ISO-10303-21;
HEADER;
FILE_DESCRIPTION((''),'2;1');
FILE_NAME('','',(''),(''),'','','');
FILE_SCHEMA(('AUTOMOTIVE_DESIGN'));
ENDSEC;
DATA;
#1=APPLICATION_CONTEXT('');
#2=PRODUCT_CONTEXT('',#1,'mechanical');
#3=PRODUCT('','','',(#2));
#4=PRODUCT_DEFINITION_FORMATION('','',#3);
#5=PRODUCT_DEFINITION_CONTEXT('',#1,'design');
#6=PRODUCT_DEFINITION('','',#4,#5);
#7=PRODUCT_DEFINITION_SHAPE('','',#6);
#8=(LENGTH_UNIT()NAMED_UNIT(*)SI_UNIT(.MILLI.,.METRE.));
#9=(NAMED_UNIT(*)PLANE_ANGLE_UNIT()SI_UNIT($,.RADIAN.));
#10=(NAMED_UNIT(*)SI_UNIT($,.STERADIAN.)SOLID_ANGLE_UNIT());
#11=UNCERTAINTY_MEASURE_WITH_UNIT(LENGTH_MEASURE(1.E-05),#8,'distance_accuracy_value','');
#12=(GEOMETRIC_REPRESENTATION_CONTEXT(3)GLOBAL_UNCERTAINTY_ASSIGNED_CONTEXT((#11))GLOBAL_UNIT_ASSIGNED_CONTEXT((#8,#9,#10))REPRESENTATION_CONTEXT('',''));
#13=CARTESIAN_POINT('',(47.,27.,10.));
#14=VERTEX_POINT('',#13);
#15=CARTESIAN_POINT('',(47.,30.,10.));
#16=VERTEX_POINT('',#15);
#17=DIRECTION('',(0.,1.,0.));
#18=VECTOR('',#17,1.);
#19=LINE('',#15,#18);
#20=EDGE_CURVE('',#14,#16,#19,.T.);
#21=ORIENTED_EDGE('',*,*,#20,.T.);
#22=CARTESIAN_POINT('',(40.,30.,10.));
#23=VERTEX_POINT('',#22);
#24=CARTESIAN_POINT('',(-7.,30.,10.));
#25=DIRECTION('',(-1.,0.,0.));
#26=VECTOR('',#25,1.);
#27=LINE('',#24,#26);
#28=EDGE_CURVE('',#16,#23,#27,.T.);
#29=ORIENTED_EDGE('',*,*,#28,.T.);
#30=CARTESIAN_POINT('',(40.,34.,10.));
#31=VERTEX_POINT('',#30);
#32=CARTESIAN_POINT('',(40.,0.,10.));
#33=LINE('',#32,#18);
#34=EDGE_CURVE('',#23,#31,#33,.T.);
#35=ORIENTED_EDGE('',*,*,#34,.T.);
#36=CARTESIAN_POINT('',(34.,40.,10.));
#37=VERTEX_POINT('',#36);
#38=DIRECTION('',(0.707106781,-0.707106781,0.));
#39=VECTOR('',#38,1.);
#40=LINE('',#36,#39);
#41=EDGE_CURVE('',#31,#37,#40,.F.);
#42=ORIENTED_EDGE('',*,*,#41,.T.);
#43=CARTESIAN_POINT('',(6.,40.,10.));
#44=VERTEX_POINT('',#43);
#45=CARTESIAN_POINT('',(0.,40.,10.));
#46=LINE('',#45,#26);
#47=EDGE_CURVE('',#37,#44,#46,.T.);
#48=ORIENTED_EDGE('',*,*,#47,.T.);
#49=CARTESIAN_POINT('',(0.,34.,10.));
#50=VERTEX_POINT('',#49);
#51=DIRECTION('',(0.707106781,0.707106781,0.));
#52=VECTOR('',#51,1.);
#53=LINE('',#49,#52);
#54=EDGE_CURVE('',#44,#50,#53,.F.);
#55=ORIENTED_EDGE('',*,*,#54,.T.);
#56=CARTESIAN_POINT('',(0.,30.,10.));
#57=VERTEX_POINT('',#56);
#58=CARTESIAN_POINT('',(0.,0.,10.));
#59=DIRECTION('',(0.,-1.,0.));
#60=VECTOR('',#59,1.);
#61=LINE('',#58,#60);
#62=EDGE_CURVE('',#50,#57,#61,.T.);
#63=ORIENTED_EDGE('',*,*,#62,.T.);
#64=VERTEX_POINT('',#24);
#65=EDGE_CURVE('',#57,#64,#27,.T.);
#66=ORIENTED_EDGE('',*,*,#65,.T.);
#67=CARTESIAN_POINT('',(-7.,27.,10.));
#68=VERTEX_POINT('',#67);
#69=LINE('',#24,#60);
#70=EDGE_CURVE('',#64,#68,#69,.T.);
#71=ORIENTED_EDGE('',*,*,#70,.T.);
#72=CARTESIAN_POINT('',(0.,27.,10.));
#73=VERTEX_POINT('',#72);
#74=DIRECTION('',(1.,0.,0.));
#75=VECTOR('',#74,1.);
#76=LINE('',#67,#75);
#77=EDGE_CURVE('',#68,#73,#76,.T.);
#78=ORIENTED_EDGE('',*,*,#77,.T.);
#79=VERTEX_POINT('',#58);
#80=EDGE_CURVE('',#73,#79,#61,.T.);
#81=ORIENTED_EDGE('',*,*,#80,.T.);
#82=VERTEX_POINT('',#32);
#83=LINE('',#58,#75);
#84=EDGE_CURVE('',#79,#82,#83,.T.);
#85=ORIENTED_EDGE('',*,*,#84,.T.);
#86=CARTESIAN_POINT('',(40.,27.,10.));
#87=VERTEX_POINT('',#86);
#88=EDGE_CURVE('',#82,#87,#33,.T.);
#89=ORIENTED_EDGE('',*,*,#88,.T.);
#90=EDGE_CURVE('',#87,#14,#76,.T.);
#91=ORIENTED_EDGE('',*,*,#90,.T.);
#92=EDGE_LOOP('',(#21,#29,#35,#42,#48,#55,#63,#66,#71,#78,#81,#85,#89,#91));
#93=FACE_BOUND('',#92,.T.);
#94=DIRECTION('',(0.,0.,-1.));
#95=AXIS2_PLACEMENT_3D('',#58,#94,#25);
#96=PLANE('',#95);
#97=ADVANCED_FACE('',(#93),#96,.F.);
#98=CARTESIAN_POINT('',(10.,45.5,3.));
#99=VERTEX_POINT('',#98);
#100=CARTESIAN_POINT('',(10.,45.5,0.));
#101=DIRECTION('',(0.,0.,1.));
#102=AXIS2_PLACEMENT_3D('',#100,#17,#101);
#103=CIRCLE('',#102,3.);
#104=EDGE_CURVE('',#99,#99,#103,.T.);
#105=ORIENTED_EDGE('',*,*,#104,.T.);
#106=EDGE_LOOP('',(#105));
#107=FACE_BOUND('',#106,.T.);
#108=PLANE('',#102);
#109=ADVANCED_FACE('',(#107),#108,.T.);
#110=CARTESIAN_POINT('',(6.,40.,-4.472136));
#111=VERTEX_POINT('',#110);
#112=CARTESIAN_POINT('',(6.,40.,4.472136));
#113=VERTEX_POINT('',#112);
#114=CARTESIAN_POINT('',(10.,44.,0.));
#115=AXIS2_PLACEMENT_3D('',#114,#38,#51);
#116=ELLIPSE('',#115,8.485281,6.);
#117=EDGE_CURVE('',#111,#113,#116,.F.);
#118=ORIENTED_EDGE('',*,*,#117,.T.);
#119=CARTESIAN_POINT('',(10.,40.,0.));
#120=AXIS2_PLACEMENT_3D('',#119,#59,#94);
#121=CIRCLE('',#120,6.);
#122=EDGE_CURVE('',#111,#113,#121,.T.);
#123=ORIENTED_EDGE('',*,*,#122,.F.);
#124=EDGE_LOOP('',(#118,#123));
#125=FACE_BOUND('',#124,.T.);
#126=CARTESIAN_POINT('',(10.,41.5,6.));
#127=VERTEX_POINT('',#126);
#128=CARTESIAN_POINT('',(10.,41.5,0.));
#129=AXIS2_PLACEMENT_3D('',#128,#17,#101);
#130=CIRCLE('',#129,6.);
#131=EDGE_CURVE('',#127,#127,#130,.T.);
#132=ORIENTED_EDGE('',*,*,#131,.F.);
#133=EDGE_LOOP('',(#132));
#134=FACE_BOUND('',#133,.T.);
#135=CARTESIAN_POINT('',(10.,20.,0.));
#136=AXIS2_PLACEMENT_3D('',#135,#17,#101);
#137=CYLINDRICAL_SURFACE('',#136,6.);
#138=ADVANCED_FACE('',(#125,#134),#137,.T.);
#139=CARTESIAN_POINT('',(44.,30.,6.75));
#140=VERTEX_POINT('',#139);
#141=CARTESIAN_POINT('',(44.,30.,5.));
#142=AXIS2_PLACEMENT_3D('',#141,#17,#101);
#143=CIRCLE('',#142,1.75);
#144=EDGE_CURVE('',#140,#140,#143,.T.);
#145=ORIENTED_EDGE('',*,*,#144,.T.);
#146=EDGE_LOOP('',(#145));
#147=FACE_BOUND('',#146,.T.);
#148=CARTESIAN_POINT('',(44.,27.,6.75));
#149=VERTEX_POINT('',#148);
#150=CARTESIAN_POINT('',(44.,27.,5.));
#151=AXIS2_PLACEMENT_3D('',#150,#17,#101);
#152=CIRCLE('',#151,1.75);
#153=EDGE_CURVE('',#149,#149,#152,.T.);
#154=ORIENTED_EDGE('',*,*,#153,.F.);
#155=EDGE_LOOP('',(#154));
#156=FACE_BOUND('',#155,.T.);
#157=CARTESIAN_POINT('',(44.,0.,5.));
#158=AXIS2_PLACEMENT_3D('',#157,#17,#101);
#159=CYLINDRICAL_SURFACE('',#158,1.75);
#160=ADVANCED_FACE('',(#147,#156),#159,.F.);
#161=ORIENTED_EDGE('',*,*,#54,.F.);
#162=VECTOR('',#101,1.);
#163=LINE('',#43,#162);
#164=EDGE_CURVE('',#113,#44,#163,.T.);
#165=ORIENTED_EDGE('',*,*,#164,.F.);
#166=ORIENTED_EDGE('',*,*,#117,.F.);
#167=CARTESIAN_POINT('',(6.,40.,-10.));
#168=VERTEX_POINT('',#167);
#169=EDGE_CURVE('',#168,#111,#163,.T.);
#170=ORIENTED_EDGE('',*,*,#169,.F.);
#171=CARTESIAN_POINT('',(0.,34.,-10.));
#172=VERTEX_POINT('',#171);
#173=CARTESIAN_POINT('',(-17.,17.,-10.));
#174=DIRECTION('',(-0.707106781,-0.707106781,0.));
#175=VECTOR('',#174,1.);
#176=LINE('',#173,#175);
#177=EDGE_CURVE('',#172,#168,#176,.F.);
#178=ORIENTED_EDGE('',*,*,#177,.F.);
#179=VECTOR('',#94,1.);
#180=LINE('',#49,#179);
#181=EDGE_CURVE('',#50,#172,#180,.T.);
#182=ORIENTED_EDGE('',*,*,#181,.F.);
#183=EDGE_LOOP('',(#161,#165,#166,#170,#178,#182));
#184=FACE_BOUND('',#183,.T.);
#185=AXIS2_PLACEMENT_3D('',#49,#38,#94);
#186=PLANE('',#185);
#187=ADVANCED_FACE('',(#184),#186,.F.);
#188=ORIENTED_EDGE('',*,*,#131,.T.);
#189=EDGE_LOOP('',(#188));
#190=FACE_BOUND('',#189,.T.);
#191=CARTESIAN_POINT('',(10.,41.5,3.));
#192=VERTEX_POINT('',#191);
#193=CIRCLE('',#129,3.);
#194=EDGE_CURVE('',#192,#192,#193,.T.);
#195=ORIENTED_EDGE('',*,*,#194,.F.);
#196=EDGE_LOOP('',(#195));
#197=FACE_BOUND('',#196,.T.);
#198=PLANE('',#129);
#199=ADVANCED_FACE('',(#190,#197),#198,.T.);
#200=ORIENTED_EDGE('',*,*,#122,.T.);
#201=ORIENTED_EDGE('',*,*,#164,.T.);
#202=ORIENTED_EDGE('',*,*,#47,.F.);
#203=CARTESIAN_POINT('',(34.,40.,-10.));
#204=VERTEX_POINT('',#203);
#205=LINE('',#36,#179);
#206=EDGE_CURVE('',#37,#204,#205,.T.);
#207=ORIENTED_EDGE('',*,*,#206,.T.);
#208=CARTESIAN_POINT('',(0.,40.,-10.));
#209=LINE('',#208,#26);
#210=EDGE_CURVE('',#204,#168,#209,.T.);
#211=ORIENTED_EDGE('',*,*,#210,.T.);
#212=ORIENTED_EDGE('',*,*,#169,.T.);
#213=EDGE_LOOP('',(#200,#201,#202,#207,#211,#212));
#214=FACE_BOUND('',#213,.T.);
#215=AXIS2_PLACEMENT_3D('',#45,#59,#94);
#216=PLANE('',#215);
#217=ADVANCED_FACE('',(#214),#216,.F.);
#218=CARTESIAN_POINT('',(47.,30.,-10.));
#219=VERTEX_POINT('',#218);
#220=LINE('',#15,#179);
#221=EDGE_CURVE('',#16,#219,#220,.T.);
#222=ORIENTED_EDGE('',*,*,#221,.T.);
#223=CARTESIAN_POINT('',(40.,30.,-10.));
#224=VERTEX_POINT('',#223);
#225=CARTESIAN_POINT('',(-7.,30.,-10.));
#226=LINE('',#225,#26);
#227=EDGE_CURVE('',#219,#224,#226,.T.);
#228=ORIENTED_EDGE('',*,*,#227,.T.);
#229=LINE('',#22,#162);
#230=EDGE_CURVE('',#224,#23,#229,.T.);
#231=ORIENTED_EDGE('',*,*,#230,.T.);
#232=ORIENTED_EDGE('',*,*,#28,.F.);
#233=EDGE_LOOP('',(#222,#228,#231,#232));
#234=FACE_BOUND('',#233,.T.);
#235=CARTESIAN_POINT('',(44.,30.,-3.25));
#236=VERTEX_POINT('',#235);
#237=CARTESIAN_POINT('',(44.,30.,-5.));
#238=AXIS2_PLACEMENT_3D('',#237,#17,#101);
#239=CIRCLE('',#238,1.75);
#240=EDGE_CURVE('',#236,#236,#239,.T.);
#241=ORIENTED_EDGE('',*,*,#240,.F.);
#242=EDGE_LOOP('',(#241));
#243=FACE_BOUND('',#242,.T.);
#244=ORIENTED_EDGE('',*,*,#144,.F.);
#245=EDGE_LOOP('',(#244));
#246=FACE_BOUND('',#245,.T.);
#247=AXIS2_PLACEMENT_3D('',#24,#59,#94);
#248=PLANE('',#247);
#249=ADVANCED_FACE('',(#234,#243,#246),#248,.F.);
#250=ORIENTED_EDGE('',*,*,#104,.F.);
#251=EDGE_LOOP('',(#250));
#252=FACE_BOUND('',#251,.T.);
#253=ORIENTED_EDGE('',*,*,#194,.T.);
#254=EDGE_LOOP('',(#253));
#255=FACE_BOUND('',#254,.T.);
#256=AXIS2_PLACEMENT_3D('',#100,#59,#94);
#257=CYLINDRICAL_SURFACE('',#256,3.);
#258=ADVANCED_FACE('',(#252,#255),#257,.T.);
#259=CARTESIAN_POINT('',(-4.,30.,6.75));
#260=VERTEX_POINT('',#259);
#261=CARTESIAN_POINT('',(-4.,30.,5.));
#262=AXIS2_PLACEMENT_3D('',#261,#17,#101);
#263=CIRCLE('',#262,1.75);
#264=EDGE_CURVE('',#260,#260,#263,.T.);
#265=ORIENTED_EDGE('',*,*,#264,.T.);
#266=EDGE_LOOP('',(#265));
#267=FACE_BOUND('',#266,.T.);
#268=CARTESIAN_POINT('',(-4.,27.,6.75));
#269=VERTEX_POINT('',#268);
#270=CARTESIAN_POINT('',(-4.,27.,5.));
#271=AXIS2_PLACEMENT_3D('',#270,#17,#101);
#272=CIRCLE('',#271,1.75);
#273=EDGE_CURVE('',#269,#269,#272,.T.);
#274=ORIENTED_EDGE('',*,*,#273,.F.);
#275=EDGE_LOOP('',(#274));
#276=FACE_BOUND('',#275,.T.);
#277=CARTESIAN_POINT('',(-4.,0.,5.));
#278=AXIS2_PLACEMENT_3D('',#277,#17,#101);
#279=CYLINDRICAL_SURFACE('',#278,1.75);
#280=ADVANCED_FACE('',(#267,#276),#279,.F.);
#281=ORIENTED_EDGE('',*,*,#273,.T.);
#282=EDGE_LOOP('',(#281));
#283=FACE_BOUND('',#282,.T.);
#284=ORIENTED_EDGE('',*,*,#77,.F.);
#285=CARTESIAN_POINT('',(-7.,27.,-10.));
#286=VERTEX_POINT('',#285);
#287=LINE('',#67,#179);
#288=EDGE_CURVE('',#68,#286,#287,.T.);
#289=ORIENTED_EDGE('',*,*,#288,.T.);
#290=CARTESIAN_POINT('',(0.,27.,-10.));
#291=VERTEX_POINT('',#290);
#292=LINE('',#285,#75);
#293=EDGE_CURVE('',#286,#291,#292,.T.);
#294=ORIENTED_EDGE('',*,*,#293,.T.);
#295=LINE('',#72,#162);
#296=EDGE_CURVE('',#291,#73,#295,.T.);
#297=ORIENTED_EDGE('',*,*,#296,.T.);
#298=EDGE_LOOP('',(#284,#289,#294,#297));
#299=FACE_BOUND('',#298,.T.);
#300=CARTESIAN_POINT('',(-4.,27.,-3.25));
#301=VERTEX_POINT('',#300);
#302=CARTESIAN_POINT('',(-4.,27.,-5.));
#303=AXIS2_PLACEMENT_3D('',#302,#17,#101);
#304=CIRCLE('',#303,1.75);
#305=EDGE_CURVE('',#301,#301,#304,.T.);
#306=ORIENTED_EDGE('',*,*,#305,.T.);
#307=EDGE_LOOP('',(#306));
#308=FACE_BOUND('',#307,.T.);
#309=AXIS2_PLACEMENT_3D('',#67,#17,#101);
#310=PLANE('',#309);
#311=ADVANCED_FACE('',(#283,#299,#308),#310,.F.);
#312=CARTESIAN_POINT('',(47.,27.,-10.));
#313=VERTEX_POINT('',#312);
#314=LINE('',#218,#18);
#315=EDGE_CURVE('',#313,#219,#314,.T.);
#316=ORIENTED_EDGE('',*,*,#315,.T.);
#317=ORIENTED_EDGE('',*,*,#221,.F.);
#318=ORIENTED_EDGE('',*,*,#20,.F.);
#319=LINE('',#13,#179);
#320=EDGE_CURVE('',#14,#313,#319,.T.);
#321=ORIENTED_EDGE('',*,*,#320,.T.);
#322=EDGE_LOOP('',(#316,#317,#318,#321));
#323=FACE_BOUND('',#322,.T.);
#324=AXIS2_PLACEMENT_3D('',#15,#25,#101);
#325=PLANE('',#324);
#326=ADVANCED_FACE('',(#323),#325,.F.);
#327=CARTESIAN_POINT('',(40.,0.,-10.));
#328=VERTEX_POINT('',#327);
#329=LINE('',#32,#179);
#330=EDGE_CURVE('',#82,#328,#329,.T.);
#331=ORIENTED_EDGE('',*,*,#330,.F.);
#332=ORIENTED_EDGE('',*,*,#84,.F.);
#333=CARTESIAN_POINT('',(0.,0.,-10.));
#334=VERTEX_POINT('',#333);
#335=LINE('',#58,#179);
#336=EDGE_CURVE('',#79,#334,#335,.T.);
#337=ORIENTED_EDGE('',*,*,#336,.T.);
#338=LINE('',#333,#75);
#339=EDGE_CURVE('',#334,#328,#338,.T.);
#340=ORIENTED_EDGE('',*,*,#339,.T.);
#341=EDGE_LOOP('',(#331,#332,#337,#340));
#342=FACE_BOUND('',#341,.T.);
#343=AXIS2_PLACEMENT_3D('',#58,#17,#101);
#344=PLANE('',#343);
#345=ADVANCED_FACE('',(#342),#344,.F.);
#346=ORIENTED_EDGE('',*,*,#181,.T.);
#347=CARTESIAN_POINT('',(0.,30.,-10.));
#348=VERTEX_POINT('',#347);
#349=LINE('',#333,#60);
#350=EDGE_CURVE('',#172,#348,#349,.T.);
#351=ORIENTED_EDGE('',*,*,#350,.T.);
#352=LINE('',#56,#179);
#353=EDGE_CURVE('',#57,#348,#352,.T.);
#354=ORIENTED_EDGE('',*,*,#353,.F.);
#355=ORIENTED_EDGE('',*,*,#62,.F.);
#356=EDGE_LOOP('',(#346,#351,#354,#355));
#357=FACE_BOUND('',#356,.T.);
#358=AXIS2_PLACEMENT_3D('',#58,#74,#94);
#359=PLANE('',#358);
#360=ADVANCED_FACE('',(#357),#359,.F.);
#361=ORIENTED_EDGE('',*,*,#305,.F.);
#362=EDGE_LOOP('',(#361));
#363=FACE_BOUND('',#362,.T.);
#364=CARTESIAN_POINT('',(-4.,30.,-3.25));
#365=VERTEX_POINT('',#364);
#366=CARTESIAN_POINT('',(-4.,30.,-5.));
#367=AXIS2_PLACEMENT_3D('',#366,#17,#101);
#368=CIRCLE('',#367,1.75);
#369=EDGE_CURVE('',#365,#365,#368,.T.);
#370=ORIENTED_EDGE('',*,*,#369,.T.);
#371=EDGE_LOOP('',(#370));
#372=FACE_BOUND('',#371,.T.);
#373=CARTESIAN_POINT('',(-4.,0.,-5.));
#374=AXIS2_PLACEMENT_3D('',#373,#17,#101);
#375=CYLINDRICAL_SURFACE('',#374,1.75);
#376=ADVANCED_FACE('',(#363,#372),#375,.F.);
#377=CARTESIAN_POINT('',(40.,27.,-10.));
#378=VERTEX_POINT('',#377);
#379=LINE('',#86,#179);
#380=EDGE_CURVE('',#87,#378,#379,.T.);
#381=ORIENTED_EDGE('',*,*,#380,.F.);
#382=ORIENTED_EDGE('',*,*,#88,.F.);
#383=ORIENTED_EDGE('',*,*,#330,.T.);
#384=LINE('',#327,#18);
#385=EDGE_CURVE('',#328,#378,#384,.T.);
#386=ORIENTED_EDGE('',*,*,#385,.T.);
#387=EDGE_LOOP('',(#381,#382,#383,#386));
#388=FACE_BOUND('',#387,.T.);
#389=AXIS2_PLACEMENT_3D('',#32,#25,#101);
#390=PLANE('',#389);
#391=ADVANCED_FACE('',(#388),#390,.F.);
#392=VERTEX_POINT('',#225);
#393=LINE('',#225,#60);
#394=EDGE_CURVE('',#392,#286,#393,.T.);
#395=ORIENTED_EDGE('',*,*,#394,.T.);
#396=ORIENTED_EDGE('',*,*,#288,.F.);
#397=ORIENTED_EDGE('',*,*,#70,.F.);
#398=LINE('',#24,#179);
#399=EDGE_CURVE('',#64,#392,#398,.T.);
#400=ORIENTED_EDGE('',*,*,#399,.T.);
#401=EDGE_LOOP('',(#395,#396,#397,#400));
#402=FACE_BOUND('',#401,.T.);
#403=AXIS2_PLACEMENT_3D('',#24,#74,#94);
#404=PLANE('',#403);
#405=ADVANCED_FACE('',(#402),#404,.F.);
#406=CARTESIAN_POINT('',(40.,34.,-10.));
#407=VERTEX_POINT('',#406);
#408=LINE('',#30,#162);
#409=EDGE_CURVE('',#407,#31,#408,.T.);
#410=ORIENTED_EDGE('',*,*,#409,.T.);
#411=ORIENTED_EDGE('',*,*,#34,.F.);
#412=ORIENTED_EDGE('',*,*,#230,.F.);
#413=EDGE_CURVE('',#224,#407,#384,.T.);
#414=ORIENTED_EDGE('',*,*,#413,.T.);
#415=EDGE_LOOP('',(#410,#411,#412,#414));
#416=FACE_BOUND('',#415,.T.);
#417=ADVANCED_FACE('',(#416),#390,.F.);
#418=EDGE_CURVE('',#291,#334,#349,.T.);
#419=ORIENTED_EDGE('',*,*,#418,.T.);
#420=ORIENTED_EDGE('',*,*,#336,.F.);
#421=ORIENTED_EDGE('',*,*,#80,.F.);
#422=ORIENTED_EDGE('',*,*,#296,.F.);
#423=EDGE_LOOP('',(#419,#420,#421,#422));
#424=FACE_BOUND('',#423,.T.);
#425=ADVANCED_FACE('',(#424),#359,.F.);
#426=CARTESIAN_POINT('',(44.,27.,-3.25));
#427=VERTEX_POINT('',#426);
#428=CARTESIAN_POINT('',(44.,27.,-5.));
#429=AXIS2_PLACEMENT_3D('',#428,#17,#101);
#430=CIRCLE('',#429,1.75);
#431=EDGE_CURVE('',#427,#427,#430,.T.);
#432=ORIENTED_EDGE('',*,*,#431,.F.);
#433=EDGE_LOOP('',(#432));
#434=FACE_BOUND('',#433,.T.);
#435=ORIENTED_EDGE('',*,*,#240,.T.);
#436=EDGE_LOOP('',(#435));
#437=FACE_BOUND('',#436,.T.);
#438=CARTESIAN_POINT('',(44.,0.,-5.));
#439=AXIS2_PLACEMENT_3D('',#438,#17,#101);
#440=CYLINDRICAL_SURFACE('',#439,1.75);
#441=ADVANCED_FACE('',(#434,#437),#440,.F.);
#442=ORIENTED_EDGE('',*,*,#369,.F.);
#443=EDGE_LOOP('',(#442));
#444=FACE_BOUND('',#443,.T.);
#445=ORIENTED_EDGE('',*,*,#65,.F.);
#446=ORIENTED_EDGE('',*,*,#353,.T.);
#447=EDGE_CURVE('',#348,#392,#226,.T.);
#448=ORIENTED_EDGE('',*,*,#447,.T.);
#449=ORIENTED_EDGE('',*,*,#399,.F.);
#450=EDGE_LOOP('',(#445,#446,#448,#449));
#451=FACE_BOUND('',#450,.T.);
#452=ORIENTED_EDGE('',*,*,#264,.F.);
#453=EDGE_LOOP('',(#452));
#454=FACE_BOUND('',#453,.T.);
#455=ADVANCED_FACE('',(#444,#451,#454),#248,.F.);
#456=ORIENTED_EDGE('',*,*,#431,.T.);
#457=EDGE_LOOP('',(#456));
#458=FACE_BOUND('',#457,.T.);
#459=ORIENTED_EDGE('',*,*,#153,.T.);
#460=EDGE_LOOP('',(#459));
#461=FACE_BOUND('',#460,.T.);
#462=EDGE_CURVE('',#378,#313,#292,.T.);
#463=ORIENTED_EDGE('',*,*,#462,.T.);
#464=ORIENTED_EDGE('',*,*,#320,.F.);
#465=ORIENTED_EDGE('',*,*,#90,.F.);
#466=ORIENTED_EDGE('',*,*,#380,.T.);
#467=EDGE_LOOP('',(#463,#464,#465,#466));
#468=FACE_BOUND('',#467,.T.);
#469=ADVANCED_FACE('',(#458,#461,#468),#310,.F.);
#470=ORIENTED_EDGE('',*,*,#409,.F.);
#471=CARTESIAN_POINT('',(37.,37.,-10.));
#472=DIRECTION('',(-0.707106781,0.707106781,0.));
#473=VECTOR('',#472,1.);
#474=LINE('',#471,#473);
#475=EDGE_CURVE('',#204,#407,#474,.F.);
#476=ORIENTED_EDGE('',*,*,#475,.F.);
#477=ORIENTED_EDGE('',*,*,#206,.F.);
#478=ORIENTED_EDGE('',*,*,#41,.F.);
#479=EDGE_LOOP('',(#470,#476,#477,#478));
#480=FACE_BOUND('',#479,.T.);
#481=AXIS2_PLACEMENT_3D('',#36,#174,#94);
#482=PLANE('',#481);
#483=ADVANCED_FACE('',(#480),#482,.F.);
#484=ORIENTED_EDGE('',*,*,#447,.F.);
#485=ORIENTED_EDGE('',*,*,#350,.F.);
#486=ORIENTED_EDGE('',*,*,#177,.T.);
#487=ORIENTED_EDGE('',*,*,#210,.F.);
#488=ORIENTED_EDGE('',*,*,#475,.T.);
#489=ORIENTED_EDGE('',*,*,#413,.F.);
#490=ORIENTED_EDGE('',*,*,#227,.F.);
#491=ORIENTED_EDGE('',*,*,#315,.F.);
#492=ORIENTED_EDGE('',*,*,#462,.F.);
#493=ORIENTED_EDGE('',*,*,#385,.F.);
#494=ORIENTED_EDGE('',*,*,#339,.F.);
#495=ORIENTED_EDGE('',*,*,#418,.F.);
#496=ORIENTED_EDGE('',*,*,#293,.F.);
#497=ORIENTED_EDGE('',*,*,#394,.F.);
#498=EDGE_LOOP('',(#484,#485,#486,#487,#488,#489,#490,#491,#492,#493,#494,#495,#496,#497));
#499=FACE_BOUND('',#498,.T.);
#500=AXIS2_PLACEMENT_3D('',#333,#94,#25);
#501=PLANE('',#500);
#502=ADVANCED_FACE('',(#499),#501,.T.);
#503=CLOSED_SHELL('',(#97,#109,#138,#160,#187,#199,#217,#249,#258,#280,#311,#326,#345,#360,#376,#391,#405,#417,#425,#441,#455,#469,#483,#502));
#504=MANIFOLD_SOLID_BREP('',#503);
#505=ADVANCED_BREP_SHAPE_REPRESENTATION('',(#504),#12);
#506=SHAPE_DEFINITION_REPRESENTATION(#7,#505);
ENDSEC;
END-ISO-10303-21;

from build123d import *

# Parameters (mm, degrees)
SKETCH_1_W           = 40
SKETCH_1_H           = 40
EXTRUDE_1_DEPTH      = 10
SKETCH_2_W           = 54
SKETCH_2_H           = 3
EXTRUDE_2_DEPTH      = 10
CHAMFER_1_SIZE       = 6
EXTRUDE_3_DEPTH      = 1.5
EXTRUDE_3_DEPTH_BACK = 20
SKETCH_4_R           = 6
SKETCH_5_R           = 3
EXTRUDE_4_DEPTH      = 4
SKETCH_6_R           = 1.75
CUT_EXTRUDE_1_DEPTH  = 57.648036153


with BuildPart() as part:
    # 草图1 → 凸台-拉伸1 (new, symmetric)
    with BuildSketch(Plane.XY):
        with Locations((20, 20)):
            Rectangle(SKETCH_1_W, SKETCH_1_H)
    extrude(amount=EXTRUDE_1_DEPTH, both=True)

    # 草图2 → 凸台-拉伸2 (add, symmetric)
    with BuildSketch(Plane.XY):
        with Locations((20, 28.5)):
            Rectangle(SKETCH_2_W, SKETCH_2_H)
    extrude(amount=EXTRUDE_2_DEPTH, both=True)

    # 倒角1
    chamfer_1_edges = [part.edges().sort_by_distance(p)[0] for p in [
        (0, 40, 0),
        (40, 40, 0),
    ]]
    chamfer(chamfer_1_edges, length=CHAMFER_1_SIZE)

    # 草图4 → 凸台-拉伸3 (add, two sides: drawn at the far end of the back side and taken through both)
    with BuildSketch(Plane(origin=(0, 40, 0), x_dir=(1, 0, 0), z_dir=(0, 1, 0)).offset(-EXTRUDE_3_DEPTH_BACK)):
        with Locations(Location((10, 0, 0), (0, 0, 270))):
            Circle(SKETCH_4_R)
    extrude(amount=EXTRUDE_3_DEPTH + EXTRUDE_3_DEPTH_BACK)

    # 草图5 → 凸台-拉伸4 (add)
    with BuildSketch(Plane(origin=(0, 41.5, 0), x_dir=(1, 0, 0), z_dir=(0, 1, 0))):
        with Locations(Location((10, 0, 0), (0, 0, 270))):
            Circle(SKETCH_5_R)
    extrude(amount=EXTRUDE_4_DEPTH)

    # 草图6 → 切除-拉伸1 (cut, through all)
    with BuildSketch(Plane(origin=(0, 30, 0), x_dir=(1, 0, 0), z_dir=(0, 1, 0))):
        with Locations(Location((-4, 5, 0), (0, 0, 270))):
            Circle(SKETCH_6_R)
        with Locations(Location((-4, -5, 0), (0, 0, 270))):
            Circle(SKETCH_6_R)
        with Locations(Location((44, 5, 0), (0, 0, 270))):
            Circle(SKETCH_6_R)
        with Locations(Location((44, -5, 0), (0, 0, 270))):
            Circle(SKETCH_6_R)
    extrude(amount=-CUT_EXTRUDE_1_DEPTH, mode=Mode.SUBTRACT)


solid = part.part
